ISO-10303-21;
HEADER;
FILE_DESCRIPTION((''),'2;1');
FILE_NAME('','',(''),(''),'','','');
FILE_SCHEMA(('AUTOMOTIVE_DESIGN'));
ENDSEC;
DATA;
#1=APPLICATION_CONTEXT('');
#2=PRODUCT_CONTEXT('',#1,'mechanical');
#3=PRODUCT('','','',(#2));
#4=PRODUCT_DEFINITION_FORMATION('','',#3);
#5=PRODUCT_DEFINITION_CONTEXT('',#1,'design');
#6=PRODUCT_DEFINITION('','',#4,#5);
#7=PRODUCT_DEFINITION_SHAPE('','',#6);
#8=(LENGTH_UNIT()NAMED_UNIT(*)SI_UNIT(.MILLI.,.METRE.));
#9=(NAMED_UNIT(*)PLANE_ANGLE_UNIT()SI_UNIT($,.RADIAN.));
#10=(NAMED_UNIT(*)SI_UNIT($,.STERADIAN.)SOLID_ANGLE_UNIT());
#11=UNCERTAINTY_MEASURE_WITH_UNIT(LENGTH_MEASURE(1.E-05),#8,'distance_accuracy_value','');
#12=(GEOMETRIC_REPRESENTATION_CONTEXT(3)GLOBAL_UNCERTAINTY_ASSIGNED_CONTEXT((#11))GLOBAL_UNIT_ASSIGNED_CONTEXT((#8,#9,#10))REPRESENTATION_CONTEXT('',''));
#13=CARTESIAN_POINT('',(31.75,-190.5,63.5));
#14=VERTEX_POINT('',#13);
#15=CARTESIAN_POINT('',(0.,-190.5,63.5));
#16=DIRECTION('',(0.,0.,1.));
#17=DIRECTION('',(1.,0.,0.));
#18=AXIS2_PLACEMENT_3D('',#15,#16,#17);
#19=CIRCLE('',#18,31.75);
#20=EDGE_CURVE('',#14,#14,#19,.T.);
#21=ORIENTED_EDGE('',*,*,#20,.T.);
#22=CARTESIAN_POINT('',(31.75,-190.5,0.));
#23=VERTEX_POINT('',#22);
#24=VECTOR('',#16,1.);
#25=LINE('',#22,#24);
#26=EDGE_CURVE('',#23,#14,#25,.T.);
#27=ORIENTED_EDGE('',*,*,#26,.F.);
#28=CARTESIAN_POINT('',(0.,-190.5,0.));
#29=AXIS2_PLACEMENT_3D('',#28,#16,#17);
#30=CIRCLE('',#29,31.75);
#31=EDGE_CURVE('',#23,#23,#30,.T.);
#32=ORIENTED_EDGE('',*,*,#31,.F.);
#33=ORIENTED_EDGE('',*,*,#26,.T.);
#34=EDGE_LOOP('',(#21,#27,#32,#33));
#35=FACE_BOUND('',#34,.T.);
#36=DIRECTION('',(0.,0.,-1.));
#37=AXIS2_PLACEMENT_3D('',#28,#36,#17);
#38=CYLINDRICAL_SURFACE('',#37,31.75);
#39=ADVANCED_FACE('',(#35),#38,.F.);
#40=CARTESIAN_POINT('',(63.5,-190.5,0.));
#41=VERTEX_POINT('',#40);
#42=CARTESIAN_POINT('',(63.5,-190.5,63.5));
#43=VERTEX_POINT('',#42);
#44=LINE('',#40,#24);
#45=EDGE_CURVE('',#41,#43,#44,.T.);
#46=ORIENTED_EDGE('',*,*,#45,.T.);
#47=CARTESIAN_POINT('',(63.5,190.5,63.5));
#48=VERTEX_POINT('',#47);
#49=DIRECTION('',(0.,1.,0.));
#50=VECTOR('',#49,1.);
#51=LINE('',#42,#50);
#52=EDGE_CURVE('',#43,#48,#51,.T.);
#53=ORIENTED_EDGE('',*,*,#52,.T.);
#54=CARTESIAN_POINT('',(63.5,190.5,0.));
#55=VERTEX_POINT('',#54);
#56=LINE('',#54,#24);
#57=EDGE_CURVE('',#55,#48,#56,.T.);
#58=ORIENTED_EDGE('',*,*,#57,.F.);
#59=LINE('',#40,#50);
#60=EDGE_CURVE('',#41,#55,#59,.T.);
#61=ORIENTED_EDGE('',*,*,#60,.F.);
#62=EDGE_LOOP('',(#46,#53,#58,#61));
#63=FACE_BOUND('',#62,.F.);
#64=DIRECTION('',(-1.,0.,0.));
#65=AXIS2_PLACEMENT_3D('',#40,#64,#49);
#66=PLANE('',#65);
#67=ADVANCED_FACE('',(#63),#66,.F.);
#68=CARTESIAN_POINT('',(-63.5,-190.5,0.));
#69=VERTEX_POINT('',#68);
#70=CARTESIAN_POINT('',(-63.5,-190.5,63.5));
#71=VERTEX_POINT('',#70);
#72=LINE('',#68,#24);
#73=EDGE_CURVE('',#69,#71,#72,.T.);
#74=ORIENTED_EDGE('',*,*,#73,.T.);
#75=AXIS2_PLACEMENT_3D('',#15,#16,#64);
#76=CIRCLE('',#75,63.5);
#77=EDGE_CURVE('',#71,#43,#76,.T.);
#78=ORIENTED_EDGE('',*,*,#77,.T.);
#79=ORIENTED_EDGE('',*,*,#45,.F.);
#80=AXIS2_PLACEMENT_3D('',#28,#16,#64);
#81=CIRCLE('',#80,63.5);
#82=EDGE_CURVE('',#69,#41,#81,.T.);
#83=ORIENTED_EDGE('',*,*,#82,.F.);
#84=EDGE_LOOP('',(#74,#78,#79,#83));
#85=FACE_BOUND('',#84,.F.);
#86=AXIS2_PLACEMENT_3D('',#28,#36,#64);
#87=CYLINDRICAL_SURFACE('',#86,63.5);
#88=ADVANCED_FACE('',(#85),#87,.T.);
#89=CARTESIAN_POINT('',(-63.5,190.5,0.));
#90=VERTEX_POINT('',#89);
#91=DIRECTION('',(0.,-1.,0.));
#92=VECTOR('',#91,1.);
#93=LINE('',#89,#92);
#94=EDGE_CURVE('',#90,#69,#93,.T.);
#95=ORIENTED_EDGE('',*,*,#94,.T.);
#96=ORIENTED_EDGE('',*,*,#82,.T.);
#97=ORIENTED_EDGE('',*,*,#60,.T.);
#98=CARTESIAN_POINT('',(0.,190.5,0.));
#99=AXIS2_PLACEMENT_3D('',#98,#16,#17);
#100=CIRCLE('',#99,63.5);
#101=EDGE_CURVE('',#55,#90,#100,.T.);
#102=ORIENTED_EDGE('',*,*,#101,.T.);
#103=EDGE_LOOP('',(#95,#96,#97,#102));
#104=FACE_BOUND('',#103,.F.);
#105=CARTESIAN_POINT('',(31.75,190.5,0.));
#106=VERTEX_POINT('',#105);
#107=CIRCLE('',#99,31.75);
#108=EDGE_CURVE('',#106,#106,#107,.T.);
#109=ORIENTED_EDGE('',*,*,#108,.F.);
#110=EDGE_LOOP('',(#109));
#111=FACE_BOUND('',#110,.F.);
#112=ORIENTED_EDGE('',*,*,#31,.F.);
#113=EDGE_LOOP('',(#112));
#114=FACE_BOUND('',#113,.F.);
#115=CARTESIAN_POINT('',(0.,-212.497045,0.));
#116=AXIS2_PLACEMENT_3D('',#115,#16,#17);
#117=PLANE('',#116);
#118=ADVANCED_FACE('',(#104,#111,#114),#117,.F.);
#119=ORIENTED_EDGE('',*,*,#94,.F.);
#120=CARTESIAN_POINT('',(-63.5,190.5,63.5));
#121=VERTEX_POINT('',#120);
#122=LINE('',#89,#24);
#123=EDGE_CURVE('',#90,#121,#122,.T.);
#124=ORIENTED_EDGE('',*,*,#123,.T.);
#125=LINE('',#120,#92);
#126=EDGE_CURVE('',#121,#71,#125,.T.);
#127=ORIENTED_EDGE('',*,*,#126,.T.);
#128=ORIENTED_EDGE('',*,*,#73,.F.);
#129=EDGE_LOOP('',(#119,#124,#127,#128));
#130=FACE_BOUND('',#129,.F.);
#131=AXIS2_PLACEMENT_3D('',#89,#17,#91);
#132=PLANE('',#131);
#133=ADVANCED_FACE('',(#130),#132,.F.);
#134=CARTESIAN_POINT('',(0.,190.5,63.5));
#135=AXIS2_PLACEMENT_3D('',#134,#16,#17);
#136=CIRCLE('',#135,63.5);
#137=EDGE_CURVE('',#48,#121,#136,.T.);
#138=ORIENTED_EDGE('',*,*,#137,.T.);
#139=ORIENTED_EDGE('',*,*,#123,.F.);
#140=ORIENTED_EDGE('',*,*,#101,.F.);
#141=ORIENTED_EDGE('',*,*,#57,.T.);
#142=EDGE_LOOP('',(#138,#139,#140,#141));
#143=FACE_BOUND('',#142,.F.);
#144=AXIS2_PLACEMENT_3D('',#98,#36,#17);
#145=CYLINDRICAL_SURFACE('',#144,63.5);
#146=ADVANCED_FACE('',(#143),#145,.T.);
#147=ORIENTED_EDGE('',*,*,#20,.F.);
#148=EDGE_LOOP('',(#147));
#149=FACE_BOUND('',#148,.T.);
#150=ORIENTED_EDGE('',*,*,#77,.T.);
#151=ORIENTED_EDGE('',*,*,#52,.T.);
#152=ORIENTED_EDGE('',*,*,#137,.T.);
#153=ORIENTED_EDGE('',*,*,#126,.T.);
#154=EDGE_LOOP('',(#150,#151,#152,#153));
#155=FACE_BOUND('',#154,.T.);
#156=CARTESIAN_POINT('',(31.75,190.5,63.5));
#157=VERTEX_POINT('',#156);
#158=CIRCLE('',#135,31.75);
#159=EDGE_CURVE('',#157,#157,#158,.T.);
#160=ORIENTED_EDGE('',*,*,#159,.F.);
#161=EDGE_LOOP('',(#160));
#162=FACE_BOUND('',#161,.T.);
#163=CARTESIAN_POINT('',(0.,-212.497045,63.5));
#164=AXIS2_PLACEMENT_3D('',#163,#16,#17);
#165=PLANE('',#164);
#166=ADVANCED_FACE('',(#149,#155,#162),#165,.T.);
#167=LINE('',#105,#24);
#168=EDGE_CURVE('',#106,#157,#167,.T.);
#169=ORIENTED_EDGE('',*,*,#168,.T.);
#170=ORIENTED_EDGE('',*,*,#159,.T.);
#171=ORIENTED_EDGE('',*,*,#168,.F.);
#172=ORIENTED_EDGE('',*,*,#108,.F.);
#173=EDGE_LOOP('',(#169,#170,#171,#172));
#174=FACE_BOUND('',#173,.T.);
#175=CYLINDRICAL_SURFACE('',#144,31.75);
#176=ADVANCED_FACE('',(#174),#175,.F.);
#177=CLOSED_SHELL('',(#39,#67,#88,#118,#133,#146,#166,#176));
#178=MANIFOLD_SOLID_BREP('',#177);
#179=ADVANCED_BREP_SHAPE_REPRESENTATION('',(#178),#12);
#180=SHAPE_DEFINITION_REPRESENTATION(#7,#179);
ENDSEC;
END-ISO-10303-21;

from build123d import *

# Parameters (mm, degrees)
F1_DEPTH = 63.5
F2_R     = 31.75
F3_DEPTH = 63.5


with BuildPart() as f1:
    # F0 (on Top) → F1 (new body)
    with BuildSketch(Plane.XY):
        with BuildLine():
            ThreePointArc((-63.5, -190.5), (0, -254), (63.5, -190.5))
            Line((63.5, -190.5), (-63.5, -190.5))
        make_face()
        with BuildLine():
            ThreePointArc((-63.5, -190.5), (0, -127), (63.5, -190.5))
            Line((63.5, -190.5), (63.5, 190.5))
            ThreePointArc((63.5, 190.5), (0, 127), (-63.5, 190.5))
            Line((-63.5, 190.5), (-63.5, -190.5))
        make_face()
        with BuildLine():
            Line((-63.5, -190.5), (63.5, -190.5))
            ThreePointArc((63.5, -190.5), (0, -127), (-63.5, -190.5))
        make_face()
        with BuildLine():
            ThreePointArc((-63.5, 190.5), (0, 127), (63.5, 190.5))
            Line((63.5, 190.5), (-63.5, 190.5))
        make_face()
        with BuildLine():
            Line((-63.5, 190.5), (63.5, 190.5))
            ThreePointArc((63.5, 190.5), (0, 254), (-63.5, 190.5))
        make_face()
    extrude(amount=F1_DEPTH)

    # F2 (on Top) → F3 (cut, through all)
    with BuildSketch(Plane.XY):
        with Locations((0, 190.5)):
            Circle(F2_R)
        with Locations((0, -190.5)):
            Circle(F2_R)
    extrude(amount=F3_DEPTH, mode=Mode.SUBTRACT)


solid = f1.part
